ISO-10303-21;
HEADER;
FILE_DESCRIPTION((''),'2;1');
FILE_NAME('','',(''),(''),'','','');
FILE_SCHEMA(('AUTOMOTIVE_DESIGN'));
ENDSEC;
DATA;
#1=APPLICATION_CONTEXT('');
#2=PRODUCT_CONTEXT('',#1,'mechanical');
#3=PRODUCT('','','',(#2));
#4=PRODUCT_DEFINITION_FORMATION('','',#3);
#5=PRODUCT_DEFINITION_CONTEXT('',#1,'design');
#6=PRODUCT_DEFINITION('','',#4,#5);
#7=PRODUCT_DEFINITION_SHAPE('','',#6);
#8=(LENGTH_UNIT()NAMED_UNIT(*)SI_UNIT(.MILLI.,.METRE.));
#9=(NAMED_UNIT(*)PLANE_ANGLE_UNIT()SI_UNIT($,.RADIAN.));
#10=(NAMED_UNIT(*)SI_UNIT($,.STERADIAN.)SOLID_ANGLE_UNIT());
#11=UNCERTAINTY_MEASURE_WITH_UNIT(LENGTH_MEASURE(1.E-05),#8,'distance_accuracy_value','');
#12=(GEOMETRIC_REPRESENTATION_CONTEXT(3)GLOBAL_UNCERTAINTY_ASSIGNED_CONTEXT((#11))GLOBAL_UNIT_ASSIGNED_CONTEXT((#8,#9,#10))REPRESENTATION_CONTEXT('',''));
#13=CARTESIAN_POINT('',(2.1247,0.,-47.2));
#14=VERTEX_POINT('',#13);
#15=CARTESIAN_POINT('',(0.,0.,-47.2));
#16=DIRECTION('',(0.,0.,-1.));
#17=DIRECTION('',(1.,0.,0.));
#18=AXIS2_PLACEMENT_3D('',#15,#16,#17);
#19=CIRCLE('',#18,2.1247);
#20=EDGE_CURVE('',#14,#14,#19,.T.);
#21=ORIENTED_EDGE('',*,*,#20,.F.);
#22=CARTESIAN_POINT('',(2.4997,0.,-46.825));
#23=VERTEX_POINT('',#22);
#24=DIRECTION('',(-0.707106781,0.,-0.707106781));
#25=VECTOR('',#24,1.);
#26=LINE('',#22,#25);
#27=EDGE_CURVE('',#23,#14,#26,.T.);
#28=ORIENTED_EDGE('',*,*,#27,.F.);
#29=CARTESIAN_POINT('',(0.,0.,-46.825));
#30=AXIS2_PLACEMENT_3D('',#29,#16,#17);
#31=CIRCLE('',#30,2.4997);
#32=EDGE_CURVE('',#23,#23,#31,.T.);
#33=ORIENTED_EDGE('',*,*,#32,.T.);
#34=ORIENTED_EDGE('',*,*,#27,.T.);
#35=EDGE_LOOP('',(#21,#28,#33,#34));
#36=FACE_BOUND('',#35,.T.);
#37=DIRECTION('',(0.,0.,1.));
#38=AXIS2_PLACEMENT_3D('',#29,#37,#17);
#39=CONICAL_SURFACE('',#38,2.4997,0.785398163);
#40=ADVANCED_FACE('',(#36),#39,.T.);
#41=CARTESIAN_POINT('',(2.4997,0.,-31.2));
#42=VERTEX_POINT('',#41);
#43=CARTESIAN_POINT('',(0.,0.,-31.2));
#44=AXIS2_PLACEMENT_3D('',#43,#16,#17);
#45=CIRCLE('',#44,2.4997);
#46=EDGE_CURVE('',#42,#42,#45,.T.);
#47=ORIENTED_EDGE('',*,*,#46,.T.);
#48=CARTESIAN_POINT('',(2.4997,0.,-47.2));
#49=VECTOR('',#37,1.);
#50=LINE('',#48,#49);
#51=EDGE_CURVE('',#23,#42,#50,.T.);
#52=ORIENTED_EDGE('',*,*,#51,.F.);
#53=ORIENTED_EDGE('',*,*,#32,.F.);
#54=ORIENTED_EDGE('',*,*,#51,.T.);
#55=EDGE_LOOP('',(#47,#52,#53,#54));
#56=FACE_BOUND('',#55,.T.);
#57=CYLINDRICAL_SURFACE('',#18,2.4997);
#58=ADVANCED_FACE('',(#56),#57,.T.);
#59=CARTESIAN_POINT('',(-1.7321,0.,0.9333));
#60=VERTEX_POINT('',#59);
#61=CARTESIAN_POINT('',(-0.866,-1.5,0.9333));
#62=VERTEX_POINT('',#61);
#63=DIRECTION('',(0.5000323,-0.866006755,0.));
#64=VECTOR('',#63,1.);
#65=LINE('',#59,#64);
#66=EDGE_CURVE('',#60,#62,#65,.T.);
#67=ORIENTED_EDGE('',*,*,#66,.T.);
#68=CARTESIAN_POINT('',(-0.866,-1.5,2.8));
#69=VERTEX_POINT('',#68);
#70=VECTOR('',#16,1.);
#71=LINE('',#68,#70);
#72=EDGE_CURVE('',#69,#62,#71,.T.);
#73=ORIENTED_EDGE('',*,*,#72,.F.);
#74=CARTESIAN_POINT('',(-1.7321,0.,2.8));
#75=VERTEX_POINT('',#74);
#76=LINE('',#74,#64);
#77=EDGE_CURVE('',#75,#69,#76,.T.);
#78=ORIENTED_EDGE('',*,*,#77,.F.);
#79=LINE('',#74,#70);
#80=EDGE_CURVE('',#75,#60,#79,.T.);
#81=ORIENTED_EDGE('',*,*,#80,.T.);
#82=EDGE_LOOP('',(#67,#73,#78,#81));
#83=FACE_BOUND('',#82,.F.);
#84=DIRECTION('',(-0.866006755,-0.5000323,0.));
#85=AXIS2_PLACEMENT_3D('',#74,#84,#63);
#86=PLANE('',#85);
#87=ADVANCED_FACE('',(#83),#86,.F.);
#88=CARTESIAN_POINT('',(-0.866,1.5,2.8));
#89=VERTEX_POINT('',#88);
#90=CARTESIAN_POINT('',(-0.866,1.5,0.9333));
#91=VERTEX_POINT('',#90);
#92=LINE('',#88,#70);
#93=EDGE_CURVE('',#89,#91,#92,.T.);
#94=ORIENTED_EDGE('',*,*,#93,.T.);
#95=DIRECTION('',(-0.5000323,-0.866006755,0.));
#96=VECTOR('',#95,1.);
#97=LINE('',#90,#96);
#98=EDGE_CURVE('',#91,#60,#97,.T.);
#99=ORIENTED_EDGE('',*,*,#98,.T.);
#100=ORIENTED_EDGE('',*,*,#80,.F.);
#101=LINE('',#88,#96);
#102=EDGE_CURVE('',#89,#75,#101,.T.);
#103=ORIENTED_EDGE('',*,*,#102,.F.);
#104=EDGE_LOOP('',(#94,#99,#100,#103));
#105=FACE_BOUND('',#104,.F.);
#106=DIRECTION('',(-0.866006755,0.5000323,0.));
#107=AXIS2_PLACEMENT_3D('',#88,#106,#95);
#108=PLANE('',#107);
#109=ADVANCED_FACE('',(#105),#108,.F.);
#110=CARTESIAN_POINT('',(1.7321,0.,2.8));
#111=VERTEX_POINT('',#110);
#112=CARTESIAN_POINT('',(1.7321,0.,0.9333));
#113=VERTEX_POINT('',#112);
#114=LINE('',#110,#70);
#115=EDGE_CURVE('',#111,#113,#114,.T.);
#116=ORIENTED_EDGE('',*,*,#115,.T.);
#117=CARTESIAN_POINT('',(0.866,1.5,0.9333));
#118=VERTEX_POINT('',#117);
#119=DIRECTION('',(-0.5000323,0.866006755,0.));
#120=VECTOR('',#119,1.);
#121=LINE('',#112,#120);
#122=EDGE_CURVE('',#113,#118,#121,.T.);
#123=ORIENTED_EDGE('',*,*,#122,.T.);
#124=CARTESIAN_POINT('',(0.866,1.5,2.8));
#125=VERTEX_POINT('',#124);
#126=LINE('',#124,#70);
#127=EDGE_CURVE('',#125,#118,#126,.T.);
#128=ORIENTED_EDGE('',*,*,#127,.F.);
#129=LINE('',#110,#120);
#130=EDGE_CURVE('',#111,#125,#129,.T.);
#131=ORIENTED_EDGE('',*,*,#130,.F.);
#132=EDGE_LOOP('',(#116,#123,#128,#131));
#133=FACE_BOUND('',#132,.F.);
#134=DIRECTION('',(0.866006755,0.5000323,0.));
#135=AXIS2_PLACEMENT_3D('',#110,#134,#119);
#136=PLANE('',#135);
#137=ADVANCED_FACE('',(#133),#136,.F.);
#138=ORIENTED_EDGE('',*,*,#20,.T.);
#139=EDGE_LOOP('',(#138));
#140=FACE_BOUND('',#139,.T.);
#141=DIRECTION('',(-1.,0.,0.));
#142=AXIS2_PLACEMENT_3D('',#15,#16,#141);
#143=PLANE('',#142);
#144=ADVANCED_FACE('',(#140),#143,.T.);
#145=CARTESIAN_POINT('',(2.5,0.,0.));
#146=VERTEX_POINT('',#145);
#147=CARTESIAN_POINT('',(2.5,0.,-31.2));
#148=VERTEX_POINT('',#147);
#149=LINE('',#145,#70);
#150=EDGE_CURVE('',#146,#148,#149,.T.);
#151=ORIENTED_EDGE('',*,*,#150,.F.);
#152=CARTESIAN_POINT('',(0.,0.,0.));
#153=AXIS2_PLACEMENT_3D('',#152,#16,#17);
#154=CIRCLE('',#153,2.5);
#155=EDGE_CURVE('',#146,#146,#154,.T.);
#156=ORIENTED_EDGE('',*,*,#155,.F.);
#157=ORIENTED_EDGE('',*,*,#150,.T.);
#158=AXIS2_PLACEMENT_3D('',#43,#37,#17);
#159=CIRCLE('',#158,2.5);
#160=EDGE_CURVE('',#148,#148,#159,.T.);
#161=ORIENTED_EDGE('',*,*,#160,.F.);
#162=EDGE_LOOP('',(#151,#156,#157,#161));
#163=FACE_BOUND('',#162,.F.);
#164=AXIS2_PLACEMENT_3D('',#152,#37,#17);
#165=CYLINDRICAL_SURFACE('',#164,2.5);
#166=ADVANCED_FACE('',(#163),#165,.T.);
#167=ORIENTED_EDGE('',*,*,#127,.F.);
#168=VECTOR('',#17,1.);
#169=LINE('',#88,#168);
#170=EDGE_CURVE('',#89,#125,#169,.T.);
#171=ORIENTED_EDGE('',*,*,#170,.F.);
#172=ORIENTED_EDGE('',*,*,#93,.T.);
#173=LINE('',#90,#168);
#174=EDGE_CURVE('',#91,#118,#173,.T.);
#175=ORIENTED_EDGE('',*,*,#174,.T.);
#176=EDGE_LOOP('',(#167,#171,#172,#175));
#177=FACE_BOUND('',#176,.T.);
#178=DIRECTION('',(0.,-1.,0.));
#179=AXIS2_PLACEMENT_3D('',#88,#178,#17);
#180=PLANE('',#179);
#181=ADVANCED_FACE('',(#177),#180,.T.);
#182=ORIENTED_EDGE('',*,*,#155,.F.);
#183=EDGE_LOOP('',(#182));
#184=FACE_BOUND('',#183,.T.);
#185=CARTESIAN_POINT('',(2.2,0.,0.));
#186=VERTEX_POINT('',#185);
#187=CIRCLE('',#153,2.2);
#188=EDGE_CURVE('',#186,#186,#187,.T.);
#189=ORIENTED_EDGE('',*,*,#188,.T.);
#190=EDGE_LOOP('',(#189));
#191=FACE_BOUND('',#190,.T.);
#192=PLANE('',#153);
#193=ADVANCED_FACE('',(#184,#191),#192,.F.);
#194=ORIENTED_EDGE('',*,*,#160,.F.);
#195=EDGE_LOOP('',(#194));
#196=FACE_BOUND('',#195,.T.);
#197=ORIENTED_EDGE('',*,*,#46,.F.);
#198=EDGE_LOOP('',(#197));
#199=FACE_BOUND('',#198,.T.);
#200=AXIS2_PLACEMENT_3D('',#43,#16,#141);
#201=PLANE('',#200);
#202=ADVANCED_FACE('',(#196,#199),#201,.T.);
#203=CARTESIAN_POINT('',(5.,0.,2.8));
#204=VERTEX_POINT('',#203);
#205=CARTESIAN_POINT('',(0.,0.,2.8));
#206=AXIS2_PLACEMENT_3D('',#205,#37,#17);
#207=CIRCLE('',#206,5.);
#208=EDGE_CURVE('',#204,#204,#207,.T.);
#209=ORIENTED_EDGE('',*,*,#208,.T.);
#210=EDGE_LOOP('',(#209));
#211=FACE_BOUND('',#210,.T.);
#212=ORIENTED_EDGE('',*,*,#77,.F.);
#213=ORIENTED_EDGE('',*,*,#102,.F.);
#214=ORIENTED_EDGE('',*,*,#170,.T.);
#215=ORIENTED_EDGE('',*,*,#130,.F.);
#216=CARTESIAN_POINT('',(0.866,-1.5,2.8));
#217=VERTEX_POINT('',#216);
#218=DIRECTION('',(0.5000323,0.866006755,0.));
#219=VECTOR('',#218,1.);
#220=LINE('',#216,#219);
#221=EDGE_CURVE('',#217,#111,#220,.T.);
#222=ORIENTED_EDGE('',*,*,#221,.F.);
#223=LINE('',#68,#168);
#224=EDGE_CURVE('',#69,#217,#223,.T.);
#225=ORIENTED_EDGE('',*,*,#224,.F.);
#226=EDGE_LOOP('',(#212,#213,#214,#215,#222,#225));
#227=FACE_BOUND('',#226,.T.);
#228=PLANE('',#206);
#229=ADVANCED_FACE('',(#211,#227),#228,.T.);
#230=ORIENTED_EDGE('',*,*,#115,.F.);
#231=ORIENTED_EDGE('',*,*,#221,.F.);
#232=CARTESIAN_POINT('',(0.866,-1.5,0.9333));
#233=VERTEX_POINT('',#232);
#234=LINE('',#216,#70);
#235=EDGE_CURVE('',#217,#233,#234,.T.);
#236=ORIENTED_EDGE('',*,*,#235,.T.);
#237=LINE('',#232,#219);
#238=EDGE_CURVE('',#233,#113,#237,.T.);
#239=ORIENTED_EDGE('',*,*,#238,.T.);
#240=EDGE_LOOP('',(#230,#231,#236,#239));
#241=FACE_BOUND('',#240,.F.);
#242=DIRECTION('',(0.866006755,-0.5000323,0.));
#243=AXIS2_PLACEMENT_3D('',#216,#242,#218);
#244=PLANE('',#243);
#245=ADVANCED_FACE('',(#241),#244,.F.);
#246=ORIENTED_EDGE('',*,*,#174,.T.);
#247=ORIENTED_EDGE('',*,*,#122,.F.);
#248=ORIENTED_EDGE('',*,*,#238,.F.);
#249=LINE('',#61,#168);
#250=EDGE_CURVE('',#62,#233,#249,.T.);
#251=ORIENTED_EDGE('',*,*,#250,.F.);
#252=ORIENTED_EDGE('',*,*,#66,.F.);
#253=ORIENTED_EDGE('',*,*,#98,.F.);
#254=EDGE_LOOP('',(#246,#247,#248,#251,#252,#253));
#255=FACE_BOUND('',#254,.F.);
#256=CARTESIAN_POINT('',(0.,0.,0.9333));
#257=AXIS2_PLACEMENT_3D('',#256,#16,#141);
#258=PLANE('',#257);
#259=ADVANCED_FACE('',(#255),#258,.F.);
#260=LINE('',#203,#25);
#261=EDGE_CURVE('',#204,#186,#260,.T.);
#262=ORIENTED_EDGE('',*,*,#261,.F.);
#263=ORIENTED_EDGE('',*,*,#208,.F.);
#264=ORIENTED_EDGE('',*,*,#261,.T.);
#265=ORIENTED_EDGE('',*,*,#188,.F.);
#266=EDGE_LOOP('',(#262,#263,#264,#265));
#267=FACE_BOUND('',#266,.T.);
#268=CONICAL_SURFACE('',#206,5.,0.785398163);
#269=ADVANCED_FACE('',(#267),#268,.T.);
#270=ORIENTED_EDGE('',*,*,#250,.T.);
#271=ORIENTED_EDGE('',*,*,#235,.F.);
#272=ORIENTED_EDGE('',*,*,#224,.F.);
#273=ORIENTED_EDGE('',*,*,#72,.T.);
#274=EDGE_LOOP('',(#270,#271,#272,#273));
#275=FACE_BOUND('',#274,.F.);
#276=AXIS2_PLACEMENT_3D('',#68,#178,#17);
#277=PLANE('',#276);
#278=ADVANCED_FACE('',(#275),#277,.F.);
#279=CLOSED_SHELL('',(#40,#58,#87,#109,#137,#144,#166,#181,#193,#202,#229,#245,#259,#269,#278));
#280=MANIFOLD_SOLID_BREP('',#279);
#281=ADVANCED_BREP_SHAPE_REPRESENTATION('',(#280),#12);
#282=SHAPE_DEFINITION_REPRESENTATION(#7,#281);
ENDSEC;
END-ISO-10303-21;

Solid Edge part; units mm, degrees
sketch "Sketch1" plane through (0, 0, 0) normal (0, 0, 1) x (1, 0, 0)
  circle A0 centre (0, 0) radius 5
  dimension "D1" = 10
extrude "Protrusion1" add sketch "Sketch1" along normal blind 2.8
sketch "Sketch2" plane through (0, 0, 0) normal (0, 0, -1) x (1, 0, 0)
  circle A0 centre (0, 0) radius 2.5
extrude "Protrusion2" add sketch "Sketch2" along normal blind 47.2
sketch "Sketch3" plane through (0, 0, -47.2) normal (0, 0, -1) x (1, 0, 0)
  circle A0 centre (0, 0) radius 2.4997
extrude "Cutout1" cut sketch "Sketch3" against normal blind 16 flip side to cut
chamfer "Chamfer_1" distance 0.375 angle 45 1 edges at (-2.4997, 0, -47.2)
sketch "Sketch4" plane through (0, 0, 2.8) normal (0, 0, 1) x (1, 0, 0)
  line L0 (-0.866, 1.5) -> (0.866, 1.5)
  line L1 (1.7321, 0) -> (0.866, 1.5)
  line L2 (0.866, -1.5) -> (1.7321, 0)
  line L3 (-0.866, -1.5) -> (0.866, -1.5)
  line L4 (-1.7321, 0) -> (-0.866, -1.5)
  line L5 (-0.866, 1.5) -> (-1.7321, 0)
  dimension "D1" = 3
extrude "Cutout2" cut sketch "Sketch4" against normal blind 1.8667
sketch "Sketch5" plane through (0, 0, 0) normal (0, -1, 0) x (1, 0, 0)
  line L0 (5, 2.8) -> (2.2, 0)
  line L1 (2.2, 0) -> (5, 0)
  line L2 (5, 0) -> (5, 2.8)
revolve "RevolvedCutout1" cut sketch "Sketch5" angle 360 about axis through (0, 0, 14.0017) along (0, 0, -1)
properties part number "24100000"
